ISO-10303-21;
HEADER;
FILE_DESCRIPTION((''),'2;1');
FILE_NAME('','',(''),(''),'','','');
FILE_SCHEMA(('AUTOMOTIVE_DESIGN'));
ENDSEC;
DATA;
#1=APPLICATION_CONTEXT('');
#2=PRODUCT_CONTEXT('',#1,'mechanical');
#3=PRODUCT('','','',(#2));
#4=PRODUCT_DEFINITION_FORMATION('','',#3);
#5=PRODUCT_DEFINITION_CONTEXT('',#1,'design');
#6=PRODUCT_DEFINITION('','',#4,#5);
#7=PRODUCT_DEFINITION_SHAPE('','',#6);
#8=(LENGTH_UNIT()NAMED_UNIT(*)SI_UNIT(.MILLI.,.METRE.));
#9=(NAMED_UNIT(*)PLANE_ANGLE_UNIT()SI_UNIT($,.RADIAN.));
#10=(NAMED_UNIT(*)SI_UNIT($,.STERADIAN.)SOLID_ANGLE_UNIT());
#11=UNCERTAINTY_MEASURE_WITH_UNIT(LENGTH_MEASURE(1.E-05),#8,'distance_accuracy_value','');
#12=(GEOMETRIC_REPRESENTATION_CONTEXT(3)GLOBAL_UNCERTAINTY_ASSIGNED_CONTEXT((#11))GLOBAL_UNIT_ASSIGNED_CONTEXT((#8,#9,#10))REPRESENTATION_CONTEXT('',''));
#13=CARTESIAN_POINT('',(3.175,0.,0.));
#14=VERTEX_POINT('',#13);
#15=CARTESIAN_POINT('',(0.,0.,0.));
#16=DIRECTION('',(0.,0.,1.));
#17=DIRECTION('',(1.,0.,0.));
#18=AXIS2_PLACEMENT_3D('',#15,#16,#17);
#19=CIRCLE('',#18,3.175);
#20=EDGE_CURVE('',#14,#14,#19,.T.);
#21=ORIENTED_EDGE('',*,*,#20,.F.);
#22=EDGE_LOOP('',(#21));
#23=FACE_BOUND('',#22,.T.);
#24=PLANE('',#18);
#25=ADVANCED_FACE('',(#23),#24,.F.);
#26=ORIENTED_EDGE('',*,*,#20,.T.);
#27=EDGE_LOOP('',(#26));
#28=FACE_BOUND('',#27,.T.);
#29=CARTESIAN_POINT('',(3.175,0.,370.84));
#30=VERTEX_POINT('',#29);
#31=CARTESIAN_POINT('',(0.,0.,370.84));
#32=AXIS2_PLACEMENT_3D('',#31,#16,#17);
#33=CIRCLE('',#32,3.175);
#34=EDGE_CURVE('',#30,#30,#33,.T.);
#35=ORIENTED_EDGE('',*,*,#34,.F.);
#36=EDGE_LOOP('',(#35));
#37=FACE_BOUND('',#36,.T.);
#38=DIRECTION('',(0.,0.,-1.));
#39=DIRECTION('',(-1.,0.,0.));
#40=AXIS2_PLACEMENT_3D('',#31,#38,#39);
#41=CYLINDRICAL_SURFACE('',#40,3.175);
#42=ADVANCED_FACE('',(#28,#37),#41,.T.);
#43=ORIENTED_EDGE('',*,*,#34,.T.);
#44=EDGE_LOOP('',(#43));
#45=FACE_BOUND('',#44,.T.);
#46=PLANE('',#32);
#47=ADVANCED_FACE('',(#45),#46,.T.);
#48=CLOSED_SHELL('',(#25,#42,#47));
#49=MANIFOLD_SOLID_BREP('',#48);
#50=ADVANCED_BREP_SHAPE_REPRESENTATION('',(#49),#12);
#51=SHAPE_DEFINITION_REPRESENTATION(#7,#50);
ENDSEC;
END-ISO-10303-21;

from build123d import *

# Parameters (mm, degrees)
SKETCH1_R           = 3.175
BOSS_EXTRUDE1_DEPTH = 370.84


with BuildPart() as part:
    # Sketch1 → Boss-Extrude1 (new body)
    with BuildSketch(Plane.XY):
        Circle(SKETCH1_R)
    extrude(amount=BOSS_EXTRUDE1_DEPTH)


solid = part.part
